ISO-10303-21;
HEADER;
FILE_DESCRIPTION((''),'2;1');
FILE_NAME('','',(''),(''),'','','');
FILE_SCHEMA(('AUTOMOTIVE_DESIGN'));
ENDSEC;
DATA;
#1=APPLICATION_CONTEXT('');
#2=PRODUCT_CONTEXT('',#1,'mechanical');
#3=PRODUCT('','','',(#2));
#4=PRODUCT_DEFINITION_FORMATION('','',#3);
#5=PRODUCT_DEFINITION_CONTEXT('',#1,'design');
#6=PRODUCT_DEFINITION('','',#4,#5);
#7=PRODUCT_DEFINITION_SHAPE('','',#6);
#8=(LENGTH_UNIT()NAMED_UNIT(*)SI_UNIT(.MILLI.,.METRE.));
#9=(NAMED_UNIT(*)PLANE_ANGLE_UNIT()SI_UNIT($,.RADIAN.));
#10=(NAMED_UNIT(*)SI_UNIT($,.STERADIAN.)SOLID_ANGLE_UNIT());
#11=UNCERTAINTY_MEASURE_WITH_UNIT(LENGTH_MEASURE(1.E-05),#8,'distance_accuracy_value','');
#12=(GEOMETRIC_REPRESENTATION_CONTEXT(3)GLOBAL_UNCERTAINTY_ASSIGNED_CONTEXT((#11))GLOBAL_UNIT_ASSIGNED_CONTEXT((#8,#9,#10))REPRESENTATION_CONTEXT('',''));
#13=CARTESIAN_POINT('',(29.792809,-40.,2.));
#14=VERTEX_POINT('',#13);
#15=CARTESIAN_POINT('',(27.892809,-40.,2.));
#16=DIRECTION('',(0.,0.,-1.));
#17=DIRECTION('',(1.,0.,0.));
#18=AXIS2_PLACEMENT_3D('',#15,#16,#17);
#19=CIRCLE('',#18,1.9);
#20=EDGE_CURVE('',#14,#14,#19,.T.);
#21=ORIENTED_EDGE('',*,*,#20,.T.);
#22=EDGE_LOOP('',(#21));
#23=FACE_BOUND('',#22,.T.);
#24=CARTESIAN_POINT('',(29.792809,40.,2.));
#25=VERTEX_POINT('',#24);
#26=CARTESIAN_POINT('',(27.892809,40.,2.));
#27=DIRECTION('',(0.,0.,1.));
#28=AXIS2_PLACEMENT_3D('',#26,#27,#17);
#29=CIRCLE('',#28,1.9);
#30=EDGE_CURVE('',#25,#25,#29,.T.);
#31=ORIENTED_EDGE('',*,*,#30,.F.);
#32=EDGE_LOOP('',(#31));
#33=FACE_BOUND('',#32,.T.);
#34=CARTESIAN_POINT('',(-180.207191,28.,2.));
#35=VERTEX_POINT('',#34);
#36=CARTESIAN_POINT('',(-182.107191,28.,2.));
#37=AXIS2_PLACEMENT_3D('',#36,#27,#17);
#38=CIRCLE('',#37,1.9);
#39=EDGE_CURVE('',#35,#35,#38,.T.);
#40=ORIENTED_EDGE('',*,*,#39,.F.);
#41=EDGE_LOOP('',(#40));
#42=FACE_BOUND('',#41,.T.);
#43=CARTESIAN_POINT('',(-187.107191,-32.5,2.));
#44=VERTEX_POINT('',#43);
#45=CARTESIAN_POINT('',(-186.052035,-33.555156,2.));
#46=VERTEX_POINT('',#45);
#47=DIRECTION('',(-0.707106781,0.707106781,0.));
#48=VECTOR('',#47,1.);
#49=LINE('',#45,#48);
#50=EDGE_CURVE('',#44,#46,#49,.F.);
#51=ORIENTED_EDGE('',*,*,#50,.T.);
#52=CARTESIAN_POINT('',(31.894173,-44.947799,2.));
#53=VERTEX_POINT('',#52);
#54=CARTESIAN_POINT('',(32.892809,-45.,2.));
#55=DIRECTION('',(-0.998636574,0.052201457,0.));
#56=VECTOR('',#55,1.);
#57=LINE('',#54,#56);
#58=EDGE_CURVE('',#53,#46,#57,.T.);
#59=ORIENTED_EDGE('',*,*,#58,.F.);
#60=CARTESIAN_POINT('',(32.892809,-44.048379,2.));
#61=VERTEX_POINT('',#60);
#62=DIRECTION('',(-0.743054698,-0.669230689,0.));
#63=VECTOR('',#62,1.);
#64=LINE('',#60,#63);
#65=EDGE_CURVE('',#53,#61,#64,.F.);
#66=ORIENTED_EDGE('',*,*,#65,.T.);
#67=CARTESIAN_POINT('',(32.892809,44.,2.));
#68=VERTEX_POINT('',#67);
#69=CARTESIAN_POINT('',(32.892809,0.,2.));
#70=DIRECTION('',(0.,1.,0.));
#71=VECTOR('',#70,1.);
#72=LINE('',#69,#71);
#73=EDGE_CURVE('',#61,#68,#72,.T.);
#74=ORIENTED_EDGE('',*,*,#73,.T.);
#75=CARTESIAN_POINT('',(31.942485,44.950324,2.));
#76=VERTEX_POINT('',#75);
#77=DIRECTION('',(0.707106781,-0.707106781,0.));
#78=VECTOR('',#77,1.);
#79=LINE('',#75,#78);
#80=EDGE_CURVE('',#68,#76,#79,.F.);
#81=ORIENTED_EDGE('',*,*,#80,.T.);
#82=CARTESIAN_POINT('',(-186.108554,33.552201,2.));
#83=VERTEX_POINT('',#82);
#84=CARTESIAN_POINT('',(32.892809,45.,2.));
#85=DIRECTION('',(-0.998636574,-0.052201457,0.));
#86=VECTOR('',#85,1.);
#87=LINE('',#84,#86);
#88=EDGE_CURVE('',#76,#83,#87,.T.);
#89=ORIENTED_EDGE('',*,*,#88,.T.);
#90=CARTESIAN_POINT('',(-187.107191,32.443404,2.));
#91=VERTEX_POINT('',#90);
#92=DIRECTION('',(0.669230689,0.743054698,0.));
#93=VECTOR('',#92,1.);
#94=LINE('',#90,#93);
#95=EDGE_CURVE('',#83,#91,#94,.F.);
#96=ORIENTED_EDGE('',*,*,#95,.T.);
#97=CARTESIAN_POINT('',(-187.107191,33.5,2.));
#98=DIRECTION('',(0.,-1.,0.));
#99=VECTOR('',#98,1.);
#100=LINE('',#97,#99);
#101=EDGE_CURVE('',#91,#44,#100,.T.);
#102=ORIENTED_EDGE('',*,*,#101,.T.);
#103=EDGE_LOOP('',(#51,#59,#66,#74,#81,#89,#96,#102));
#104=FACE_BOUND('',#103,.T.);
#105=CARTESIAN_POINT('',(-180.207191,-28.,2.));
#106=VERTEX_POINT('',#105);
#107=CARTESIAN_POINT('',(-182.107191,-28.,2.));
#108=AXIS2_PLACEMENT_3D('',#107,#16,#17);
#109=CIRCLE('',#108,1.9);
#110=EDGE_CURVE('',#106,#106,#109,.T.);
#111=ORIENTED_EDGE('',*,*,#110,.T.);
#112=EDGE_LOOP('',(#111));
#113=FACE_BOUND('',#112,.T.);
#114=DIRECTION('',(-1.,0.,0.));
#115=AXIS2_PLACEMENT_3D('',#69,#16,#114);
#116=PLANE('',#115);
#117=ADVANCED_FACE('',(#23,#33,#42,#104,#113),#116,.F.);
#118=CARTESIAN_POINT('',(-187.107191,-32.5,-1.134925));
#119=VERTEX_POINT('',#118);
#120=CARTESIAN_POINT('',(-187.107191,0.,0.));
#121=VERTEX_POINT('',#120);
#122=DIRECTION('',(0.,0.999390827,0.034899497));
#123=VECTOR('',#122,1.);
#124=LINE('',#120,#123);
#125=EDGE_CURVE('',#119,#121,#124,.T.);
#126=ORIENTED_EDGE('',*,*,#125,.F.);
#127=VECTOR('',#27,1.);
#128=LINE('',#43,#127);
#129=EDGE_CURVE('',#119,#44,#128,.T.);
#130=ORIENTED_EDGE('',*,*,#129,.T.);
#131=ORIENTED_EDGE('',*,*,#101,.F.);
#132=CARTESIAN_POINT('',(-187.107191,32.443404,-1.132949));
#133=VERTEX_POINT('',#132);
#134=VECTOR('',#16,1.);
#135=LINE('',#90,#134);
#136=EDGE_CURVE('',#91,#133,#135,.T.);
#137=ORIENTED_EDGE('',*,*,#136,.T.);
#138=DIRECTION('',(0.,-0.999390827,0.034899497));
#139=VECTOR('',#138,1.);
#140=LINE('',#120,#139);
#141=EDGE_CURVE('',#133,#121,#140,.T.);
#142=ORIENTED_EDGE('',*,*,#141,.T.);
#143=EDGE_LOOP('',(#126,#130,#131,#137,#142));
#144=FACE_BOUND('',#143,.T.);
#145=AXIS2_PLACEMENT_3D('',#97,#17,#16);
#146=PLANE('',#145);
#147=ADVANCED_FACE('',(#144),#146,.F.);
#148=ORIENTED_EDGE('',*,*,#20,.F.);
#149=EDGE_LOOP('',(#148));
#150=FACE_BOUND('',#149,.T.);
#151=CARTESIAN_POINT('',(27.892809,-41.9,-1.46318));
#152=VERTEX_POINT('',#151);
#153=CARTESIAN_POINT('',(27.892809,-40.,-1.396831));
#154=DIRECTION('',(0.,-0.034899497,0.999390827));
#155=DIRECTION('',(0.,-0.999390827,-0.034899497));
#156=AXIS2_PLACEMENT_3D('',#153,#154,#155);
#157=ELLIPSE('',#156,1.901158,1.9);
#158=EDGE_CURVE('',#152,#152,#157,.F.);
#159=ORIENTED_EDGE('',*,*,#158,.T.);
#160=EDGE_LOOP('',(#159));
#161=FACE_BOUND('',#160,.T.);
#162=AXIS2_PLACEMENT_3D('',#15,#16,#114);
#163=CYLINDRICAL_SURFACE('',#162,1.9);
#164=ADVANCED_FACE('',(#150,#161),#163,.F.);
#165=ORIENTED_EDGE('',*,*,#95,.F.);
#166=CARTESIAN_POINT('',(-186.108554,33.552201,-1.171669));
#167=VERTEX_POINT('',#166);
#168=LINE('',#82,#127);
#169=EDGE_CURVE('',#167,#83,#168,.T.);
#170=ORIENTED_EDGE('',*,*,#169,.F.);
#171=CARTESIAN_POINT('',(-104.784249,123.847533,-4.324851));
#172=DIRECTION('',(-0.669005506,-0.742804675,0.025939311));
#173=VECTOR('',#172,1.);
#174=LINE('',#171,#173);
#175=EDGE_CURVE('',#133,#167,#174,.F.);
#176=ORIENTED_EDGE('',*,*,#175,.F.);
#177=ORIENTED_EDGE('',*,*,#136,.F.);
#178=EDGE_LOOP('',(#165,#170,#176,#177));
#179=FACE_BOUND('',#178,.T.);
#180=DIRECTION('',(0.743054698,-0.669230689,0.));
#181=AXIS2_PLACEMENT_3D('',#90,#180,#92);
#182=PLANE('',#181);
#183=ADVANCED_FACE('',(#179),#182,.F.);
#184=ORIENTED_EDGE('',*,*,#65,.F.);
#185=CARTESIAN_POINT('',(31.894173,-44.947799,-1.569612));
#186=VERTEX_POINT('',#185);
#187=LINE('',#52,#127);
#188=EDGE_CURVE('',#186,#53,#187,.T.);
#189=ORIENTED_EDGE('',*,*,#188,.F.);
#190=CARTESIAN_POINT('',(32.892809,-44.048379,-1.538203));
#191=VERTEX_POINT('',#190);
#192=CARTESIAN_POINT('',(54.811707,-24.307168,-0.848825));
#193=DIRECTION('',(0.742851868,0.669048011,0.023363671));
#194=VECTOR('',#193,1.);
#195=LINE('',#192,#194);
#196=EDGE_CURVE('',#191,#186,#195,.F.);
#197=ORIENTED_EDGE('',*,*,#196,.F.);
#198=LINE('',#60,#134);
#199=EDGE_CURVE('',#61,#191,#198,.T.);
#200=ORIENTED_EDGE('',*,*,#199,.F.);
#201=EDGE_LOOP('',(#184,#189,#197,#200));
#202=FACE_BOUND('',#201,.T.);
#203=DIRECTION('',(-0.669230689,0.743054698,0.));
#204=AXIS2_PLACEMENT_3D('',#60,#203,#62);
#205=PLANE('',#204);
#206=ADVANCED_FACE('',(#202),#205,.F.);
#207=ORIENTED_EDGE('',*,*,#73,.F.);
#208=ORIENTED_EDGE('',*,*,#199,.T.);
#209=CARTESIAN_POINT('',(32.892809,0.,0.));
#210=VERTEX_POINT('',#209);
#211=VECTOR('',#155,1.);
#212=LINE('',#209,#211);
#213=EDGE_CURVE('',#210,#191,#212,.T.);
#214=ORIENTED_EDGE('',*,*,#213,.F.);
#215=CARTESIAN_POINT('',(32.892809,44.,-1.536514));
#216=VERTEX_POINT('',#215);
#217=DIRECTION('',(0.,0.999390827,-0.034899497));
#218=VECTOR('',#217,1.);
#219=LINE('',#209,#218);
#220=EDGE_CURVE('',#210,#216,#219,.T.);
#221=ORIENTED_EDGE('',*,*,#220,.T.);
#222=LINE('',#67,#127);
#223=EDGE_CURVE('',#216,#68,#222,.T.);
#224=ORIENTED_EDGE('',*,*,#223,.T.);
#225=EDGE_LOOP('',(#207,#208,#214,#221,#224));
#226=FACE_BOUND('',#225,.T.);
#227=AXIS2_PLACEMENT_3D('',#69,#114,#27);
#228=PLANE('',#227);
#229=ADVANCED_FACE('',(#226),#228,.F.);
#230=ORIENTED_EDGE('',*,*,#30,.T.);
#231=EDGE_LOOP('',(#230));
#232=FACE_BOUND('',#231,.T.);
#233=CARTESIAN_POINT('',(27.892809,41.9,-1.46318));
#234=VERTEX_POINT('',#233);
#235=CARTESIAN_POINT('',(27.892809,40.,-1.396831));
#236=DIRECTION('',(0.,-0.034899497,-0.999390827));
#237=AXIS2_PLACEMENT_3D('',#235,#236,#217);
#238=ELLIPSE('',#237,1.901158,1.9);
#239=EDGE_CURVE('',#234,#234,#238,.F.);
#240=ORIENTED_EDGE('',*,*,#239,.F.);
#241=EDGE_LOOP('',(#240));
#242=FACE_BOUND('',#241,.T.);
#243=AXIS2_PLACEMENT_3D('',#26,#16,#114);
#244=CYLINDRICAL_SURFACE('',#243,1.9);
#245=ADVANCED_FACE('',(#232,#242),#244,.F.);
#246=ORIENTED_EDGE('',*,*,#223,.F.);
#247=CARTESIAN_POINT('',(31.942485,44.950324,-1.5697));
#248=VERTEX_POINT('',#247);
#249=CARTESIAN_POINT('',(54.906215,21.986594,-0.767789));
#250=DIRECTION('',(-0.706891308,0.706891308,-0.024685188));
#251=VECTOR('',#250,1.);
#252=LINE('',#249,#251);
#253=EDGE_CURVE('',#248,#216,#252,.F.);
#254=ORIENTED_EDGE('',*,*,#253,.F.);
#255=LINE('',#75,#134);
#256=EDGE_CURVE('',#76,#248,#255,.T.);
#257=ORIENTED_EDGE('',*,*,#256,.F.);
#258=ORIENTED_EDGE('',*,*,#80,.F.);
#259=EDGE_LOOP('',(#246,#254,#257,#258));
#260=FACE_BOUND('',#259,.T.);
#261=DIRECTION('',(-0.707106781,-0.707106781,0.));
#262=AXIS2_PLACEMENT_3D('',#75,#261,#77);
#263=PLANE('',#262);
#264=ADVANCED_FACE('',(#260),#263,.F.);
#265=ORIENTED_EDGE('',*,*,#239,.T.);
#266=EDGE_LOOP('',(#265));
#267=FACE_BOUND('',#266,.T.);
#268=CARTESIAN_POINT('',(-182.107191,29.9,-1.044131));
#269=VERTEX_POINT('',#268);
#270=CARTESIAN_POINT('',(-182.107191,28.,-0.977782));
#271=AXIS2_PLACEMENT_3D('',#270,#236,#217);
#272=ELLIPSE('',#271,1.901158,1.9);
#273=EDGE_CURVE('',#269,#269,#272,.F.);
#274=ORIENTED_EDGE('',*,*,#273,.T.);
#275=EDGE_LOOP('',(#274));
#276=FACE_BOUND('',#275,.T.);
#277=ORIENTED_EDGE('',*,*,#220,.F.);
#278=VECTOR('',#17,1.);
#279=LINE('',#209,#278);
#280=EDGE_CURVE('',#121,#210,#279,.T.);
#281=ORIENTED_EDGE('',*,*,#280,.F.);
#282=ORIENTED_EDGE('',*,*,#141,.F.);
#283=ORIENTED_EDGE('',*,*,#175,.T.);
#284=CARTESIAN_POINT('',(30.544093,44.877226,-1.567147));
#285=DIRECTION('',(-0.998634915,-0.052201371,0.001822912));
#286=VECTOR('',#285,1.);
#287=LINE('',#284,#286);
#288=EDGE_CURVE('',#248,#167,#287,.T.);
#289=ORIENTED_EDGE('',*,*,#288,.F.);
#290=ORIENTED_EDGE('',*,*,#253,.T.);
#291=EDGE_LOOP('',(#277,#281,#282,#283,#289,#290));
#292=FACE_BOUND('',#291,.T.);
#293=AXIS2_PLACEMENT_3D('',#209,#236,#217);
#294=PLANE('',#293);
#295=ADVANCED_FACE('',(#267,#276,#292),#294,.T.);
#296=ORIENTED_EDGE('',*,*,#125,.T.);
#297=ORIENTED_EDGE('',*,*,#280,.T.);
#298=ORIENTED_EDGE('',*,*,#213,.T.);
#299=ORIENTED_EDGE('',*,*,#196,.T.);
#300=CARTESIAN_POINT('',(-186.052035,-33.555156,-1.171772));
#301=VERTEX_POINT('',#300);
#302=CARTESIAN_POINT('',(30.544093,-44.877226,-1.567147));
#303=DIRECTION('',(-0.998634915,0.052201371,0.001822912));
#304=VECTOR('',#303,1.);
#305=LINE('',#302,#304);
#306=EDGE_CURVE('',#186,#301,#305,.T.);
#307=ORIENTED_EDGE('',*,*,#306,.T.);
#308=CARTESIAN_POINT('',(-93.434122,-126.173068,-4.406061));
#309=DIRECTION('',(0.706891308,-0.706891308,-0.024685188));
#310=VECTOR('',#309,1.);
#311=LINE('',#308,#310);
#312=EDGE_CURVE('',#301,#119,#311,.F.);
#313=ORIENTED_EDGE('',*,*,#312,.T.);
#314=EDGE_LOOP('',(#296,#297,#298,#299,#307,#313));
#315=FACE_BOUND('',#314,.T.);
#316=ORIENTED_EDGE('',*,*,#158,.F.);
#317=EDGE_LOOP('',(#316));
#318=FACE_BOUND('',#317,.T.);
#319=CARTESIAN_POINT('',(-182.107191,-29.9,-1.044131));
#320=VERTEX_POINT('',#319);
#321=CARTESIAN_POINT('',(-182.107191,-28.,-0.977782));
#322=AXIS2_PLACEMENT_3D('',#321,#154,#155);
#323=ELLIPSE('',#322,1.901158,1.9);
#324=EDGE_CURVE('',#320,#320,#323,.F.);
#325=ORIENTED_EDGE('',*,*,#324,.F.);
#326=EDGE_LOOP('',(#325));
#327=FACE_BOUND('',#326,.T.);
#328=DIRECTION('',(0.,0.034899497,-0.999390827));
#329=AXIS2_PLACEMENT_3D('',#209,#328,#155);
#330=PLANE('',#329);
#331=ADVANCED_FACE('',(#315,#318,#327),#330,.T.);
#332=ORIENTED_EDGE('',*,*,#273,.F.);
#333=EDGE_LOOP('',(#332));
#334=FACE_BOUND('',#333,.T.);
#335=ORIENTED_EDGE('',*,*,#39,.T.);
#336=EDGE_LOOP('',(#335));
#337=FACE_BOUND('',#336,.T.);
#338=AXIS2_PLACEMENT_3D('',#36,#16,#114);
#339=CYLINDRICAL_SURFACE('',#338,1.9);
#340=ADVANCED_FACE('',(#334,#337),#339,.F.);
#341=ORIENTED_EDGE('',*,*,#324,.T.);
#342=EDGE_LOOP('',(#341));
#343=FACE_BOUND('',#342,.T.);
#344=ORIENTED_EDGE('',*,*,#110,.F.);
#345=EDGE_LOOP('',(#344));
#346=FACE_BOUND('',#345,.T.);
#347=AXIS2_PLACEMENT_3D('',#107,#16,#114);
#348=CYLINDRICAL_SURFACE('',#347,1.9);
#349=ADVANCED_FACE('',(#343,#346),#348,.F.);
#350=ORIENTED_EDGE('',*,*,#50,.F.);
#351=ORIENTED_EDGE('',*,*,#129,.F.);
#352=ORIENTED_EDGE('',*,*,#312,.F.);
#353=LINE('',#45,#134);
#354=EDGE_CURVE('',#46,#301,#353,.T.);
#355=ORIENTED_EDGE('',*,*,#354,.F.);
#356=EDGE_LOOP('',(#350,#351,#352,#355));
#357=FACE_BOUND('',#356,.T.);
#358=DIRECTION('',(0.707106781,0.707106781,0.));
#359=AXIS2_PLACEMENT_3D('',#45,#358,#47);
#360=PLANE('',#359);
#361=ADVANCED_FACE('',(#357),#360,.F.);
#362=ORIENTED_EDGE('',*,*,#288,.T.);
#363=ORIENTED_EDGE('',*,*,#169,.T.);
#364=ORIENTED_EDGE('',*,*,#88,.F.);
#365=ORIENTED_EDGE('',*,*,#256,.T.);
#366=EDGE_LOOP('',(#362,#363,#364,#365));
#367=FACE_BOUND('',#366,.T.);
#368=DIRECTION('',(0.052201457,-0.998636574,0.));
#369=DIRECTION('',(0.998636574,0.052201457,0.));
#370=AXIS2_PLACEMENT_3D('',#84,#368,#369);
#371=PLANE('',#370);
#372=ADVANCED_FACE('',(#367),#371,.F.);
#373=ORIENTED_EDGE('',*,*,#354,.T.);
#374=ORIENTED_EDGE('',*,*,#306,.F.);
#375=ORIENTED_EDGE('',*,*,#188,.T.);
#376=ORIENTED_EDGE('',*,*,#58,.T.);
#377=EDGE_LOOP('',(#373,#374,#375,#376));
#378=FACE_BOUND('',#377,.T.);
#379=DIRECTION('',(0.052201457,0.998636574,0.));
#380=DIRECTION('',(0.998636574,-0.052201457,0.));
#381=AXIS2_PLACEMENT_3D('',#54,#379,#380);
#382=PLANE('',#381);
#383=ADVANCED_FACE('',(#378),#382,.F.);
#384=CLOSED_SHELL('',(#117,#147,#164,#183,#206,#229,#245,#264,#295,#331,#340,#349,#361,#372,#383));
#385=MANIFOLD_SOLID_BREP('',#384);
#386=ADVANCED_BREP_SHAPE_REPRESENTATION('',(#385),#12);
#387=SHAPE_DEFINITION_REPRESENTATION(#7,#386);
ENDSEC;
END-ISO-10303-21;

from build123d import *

# Parameters (mm, degrees)
ESQUISSE1_R      = 1.9
EXTRUSION1_DEPTH = 2
D_POUILLE2_ANGLE = 2
CHANFREIN1_SIZE  = 1
CHANFREIN1_SIZE2 = 1.056596466
CHANFREIN2_SIZE  = 1
CHANFREIN2_SIZE2 = 1.056596466
CHANFREIN4_SIZE  = 1
CHANFREIN4_SIZE2 = 0.951621439
CHANFREIN5_SIZE  = 1
CHANFREIN5_SIZE2 = 0.951621439


with BuildPart() as part:
    # Esquisse1 → Extrusion1 (new body)
    with BuildSketch(Plane.XY):
        Polygon((32.89280914, 0), (32.89280914, 45), (-187.10719086, 33.5), (-187.10719086, 0), align=None)
        with Locations((-182.10719086, 28)):
            Circle(ESQUISSE1_R, mode=Mode.SUBTRACT)
        with Locations((27.89280914, 40)):
            Circle(ESQUISSE1_R, mode=Mode.SUBTRACT)
    extrude(amount=EXTRUSION1_DEPTH)

    # Dépouille2
    d_pouille2_faces = [part.faces().sort_by_distance(p)[0] for p in [
        (-71.721493892, 19.727903034, 0),
    ]]
    draft(d_pouille2_faces, Plane(origin=(32.89280914, 0, 2), x_dir=(-1, 0, 0), z_dir=(0, -1, 0)), D_POUILLE2_ANGLE)

    # Symétrie1: part across plane


with BuildPart() as part_1:
    add(part.part)
    add(part.part.mirror(Plane(origin=(32.89280914, 0, 2), x_dir=(0, 0, 1), z_dir=(0, 1, 0))))

    # Chanfrein1
    chanfrein1_edges = [part_1.edges().sort_by_distance(p)[0] for p in [
        (-187.10719086, 33.5, 0.415077111),
    ]]
    chanfrein1_side = [part_1.faces().sort_by_distance(p)[0] for p in [
        (-74.922898918, 39.364178897, 0.312686291),
    ]]
    chamfer(chanfrein1_edges, length=CHANFREIN1_SIZE, length2=CHANFREIN1_SIZE2, reference=chanfrein1_side[0])

    # Chanfrein2
    chanfrein2_edges = [part_1.edges().sort_by_distance(p)[0] for p in [
        (-187.10719086, -33.5, 0.415077111),
    ]]
    chanfrein2_side = [part_1.faces().sort_by_distance(p)[0] for p in [
        (-187.10719086, -0.646362154, 0.690599114),
    ]]
    chamfer(chanfrein2_edges, length=CHANFREIN2_SIZE, length2=CHANFREIN2_SIZE2, reference=chanfrein2_side[0])

    # Chanfrein4
    chanfrein4_edges = [part_1.edges().sort_by_distance(p)[0] for p in [
        (32.89280914, -45, 0.214282686),
    ]]
    chanfrein4_side = [part_1.faces().sort_by_distance(p)[0] for p in [
        (-74.416841112, -39.390631919, 0.312224411),
    ]]
    chamfer(chanfrein4_edges, length=CHANFREIN4_SIZE, length2=CHANFREIN4_SIZE2, reference=chanfrein4_side[0])

    # Chanfrein5
    chanfrein5_edges = [part_1.edges().sort_by_distance(p)[0] for p in [
        (32.89280914, 45, 0.214282686),
    ]]
    chanfrein5_side = [part_1.faces().sort_by_distance(p)[0] for p in [
        (32.89280914, 0.608982965, 0.574960444),
    ]]
    chamfer(chanfrein5_edges, length=CHANFREIN5_SIZE, length2=CHANFREIN5_SIZE2, reference=chanfrein5_side[0])


solid = part_1.part
